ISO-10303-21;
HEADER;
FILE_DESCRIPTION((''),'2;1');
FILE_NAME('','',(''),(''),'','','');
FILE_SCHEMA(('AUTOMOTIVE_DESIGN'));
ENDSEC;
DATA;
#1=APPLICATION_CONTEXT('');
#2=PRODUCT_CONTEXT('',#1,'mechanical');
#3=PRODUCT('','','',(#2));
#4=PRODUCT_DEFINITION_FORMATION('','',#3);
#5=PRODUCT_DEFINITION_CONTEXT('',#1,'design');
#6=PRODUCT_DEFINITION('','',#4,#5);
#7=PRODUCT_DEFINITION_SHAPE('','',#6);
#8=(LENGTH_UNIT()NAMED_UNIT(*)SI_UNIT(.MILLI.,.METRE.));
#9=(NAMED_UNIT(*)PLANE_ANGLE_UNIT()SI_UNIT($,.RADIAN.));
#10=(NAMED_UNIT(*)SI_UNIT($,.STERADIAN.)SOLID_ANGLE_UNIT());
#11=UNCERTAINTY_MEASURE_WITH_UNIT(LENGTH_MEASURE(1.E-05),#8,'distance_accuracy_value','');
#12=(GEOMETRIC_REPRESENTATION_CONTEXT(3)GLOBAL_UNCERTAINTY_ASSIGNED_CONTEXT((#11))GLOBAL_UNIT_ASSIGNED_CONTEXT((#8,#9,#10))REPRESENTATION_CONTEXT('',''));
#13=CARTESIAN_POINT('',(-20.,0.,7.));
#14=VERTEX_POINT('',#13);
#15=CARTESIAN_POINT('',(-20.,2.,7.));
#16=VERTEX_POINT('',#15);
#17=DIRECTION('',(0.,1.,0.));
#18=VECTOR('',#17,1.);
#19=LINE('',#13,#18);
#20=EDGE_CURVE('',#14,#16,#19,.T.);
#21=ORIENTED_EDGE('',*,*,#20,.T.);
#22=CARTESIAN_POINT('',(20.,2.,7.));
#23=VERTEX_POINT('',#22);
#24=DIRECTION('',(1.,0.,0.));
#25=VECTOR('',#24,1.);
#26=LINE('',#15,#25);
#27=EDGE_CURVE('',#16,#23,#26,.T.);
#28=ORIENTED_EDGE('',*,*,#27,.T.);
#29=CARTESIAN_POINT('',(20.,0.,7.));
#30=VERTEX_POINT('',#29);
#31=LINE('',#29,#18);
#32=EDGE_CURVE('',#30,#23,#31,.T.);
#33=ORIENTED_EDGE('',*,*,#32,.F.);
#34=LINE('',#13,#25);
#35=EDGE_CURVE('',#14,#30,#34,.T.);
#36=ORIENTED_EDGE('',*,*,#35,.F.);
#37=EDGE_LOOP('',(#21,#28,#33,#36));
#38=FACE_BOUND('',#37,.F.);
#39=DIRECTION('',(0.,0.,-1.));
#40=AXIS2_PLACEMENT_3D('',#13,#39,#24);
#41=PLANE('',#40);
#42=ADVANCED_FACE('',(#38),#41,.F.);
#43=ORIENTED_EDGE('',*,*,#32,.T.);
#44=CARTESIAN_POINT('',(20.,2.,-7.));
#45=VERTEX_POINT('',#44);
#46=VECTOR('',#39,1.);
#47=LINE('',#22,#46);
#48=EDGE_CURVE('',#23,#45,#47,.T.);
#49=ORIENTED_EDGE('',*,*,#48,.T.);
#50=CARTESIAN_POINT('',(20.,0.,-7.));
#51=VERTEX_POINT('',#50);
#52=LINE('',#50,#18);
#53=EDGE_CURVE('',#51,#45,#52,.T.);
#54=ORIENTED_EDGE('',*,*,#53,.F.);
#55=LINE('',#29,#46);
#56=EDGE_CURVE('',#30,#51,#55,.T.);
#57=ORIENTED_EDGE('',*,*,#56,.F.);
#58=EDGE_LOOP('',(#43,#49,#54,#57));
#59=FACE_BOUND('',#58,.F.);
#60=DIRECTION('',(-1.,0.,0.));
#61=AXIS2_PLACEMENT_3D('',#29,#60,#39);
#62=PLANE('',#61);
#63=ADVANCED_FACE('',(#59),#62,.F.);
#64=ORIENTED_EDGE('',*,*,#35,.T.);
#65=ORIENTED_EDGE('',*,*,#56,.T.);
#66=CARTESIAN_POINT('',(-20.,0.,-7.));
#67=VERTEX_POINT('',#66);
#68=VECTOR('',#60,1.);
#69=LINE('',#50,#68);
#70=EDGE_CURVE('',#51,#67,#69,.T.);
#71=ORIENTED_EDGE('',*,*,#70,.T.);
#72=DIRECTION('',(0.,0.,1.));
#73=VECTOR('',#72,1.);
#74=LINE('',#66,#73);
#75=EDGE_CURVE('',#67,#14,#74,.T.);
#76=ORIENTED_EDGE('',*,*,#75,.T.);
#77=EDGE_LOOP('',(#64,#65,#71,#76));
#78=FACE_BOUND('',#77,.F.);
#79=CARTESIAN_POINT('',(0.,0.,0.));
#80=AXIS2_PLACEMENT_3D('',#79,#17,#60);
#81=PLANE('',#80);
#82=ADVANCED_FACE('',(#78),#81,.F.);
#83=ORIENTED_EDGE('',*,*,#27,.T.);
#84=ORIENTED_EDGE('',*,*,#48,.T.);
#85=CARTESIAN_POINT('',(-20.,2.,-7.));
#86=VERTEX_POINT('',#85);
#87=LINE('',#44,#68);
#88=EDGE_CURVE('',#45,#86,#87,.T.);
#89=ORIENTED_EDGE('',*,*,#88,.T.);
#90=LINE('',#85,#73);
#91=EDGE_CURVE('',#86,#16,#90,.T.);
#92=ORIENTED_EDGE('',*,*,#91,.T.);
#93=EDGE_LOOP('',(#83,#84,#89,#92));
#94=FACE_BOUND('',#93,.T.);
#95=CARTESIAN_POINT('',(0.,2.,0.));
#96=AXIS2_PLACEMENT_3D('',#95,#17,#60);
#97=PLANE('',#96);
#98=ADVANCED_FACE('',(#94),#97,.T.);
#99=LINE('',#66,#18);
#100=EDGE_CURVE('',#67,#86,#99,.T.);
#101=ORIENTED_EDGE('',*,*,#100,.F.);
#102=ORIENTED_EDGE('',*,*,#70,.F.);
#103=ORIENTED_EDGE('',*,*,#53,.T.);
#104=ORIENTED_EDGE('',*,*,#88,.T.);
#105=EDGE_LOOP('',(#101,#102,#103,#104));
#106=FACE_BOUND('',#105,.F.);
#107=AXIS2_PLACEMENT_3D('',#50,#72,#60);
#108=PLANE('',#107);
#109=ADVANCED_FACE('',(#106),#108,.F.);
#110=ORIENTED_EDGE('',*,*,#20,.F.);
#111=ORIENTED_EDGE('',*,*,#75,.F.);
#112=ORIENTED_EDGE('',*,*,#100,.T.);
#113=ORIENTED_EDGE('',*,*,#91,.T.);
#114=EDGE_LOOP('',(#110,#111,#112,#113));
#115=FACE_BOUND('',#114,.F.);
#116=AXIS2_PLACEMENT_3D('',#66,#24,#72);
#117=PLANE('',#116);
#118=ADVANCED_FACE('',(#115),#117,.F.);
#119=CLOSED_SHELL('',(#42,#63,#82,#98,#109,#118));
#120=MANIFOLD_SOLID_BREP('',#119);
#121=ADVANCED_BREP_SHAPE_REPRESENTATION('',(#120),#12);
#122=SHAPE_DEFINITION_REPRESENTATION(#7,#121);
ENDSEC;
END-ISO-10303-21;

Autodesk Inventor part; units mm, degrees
ref_plane "YZ Plane" through (0, 0, 0) normal (1, 0, 0) x (0, 1, 0)
ref_plane "XZ Plane" through (0, 0, 0) normal (0, 1, 0) x (-1, 0, 0)
ref_plane "XY Plane" through (0, 0, 0) normal (0, 0, 1) x (1, 0, 0)
sketch "Sketch1" plane through (0, 0, 0) normal (0, 1, 0) x (-1, 0, 0)
  line L0 (20, 7) -> (-20, 7)
  line L1 (-20, 7) -> (-20, -7)
  line L2 (-20, -7) -> (20, -7)
  line L3 (20, -7) -> (20, 7)
  line L4 (20, 7) -> (-20, -7) construction
  line L5 (-20, 7) -> (20, -7) construction
  point P0 (0, 0)
  dimension "d0" = 14
  dimension "d1" = 40
extrude "Extrusion1" add sketch "Sketch1" along normal blind 2
properties part number "Cover"
